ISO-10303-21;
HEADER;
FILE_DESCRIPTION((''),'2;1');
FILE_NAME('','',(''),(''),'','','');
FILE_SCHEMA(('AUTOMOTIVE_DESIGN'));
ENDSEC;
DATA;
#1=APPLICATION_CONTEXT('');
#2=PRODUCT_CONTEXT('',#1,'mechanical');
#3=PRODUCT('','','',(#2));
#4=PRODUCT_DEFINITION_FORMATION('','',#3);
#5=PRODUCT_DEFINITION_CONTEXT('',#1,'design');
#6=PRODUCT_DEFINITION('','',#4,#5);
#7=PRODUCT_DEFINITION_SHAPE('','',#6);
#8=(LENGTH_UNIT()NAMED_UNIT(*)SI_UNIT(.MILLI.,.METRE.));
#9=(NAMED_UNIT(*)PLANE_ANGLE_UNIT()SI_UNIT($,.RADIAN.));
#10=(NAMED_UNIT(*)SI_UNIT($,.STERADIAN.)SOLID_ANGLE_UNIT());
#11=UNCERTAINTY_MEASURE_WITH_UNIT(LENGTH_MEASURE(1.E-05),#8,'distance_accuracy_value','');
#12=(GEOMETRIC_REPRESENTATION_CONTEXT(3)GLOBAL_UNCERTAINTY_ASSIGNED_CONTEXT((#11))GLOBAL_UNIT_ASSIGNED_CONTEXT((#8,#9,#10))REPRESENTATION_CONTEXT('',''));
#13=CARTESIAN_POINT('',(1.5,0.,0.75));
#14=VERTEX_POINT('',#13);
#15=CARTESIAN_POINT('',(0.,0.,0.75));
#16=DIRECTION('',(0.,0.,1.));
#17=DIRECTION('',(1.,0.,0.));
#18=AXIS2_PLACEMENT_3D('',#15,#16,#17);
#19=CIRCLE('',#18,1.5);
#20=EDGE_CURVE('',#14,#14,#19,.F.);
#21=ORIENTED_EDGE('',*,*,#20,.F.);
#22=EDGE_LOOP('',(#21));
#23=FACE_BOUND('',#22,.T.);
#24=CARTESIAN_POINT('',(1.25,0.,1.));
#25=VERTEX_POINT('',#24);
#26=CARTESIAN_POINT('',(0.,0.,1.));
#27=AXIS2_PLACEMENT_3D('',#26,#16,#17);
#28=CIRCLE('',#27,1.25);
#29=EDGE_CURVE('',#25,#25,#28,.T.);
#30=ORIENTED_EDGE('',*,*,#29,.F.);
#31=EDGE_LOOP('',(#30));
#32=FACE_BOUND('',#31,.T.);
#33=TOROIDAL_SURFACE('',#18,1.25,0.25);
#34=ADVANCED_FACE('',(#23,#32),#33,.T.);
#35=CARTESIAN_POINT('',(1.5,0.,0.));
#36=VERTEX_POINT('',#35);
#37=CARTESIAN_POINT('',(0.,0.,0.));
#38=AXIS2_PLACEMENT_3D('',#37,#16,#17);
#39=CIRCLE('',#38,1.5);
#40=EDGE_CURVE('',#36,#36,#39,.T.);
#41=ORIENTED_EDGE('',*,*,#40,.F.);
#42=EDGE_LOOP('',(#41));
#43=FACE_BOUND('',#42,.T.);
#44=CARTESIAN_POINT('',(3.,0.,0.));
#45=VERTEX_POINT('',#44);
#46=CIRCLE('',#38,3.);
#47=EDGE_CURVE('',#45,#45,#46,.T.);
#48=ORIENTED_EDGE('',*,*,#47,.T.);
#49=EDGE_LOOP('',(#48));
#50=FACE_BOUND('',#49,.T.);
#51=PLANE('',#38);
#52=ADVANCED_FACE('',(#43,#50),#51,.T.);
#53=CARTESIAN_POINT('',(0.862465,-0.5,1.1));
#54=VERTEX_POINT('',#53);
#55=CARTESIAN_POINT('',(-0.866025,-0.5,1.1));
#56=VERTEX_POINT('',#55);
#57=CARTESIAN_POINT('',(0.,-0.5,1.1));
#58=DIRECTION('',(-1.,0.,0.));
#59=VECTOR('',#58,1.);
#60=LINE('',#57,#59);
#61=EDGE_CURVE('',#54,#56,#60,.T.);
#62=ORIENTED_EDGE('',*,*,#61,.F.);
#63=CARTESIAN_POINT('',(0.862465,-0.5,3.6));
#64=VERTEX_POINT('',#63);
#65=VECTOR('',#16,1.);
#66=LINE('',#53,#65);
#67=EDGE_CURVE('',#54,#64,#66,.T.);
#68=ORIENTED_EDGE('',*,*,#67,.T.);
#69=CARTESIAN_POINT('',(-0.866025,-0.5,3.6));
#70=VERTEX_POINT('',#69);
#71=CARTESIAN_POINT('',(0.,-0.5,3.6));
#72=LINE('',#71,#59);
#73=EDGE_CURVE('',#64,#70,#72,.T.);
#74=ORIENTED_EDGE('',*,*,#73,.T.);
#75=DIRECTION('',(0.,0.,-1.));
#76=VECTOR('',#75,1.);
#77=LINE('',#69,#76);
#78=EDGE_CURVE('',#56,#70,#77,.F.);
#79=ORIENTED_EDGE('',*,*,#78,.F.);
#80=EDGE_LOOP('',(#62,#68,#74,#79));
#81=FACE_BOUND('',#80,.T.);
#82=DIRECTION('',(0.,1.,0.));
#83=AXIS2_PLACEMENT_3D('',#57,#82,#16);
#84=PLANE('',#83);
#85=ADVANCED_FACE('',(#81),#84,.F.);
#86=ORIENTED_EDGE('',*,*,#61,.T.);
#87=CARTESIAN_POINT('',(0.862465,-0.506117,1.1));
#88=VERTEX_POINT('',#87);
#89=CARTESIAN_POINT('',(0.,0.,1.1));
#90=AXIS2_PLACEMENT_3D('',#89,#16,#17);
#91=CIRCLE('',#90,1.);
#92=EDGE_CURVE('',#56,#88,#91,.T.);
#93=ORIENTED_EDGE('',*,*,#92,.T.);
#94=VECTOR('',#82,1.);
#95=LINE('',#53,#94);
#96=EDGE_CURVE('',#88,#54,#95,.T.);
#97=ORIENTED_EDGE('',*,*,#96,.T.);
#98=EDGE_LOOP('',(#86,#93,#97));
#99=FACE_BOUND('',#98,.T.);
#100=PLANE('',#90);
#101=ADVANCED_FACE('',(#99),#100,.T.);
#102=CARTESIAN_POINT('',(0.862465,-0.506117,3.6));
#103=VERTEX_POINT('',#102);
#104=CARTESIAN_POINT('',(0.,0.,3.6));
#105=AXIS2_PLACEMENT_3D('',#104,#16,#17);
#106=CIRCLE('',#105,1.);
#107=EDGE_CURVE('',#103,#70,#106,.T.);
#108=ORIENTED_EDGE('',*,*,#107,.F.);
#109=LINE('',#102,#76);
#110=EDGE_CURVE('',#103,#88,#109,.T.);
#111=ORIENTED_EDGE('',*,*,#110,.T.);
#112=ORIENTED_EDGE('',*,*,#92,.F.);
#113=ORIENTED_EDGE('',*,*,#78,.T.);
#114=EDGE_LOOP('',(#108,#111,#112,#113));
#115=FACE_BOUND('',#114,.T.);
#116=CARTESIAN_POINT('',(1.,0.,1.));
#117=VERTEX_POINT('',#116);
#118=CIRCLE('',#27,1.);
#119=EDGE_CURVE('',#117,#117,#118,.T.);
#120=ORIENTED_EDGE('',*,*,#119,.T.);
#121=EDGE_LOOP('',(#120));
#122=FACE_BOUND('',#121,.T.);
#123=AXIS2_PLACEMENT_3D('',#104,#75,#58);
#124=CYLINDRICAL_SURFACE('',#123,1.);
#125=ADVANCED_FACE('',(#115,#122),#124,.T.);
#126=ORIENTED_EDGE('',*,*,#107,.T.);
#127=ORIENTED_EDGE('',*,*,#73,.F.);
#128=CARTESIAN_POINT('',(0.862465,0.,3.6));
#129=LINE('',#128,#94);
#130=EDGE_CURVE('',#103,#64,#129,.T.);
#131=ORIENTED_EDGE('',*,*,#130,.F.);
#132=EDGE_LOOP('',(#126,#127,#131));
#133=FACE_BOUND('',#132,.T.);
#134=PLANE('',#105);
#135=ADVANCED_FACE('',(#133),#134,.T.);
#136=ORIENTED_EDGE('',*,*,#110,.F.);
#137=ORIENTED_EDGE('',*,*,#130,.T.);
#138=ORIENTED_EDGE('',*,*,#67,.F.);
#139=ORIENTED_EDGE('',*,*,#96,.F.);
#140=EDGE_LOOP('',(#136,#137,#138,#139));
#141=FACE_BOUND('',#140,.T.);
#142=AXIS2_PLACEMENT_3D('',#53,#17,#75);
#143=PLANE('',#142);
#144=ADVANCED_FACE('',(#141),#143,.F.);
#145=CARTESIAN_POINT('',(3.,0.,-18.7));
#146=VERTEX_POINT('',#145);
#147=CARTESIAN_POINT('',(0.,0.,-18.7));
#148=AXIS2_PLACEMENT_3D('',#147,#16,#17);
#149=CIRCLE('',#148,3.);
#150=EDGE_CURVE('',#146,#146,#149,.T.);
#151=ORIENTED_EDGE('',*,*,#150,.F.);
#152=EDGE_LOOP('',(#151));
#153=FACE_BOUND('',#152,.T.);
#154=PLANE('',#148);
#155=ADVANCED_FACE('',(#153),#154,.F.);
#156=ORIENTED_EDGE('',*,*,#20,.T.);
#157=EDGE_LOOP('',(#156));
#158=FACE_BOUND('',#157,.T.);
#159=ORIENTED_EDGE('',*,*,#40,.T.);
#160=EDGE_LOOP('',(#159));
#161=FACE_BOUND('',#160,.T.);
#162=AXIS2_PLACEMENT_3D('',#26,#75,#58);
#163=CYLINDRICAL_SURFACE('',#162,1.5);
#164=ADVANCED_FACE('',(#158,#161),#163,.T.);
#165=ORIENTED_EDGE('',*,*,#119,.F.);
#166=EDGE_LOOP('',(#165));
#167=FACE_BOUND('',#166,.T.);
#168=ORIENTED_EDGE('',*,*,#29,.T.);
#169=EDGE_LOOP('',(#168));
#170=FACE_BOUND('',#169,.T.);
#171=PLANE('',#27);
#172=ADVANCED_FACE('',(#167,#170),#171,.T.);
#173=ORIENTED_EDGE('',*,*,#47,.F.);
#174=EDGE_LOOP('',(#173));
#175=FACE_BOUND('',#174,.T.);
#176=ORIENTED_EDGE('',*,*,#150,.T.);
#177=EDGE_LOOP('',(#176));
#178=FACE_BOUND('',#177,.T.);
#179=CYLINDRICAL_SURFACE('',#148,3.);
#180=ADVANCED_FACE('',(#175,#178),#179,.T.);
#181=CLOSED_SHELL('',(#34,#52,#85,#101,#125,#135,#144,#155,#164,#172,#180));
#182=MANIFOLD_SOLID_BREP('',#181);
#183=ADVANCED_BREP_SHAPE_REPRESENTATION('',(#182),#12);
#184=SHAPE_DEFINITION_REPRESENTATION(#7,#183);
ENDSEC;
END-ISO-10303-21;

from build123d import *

# Parameters (mm, degrees)
SKETCH_1_R          = 3
EXTRUDE_1_DEPTH     = 18.7
SKETCH_2_R          = 1.5
EXTRUDE_2_DEPTH     = 1
SKETCH_3_R          = 1
EXTRUDE_3_DEPTH     = 2.6
CUT_EXTRUDE_1_DEPTH = 2.5
FILLET_1_R          = 0.25


with BuildPart() as part:
    # 草图1 → 凸台-拉伸1 (new body)
    with BuildSketch(Plane.XY):
        Circle(SKETCH_1_R)
    extrude(amount=-EXTRUDE_1_DEPTH)

    # 草图2 → 凸台-拉伸2 (add)
    with BuildSketch(Plane.XY):
        Circle(SKETCH_2_R)
    extrude(amount=EXTRUDE_2_DEPTH)

    # 草图3 → 凸台-拉伸3 (add)
    with BuildSketch(Plane.XY.offset(1)):
        Circle(SKETCH_3_R)
    extrude(amount=EXTRUDE_3_DEPTH)

    # 草图4 → 切除-拉伸1 (cut)
    with BuildSketch(Plane.XY.offset(3.6)):
        Polygon((0, -0.5), (0.862464595, -0.5), (0.862464595, -1), (0, -1), (-0.86936686, -1), (-0.86936686, -0.5), align=None)
    extrude(amount=-CUT_EXTRUDE_1_DEPTH, mode=Mode.SUBTRACT)

    # 圆角1
    fillet_1_edges = [part.edges().sort_by_distance(p)[0] for p in [
        (-1.5, 0, 1),
    ]]
    fillet(fillet_1_edges, radius=FILLET_1_R)


solid = part.part
